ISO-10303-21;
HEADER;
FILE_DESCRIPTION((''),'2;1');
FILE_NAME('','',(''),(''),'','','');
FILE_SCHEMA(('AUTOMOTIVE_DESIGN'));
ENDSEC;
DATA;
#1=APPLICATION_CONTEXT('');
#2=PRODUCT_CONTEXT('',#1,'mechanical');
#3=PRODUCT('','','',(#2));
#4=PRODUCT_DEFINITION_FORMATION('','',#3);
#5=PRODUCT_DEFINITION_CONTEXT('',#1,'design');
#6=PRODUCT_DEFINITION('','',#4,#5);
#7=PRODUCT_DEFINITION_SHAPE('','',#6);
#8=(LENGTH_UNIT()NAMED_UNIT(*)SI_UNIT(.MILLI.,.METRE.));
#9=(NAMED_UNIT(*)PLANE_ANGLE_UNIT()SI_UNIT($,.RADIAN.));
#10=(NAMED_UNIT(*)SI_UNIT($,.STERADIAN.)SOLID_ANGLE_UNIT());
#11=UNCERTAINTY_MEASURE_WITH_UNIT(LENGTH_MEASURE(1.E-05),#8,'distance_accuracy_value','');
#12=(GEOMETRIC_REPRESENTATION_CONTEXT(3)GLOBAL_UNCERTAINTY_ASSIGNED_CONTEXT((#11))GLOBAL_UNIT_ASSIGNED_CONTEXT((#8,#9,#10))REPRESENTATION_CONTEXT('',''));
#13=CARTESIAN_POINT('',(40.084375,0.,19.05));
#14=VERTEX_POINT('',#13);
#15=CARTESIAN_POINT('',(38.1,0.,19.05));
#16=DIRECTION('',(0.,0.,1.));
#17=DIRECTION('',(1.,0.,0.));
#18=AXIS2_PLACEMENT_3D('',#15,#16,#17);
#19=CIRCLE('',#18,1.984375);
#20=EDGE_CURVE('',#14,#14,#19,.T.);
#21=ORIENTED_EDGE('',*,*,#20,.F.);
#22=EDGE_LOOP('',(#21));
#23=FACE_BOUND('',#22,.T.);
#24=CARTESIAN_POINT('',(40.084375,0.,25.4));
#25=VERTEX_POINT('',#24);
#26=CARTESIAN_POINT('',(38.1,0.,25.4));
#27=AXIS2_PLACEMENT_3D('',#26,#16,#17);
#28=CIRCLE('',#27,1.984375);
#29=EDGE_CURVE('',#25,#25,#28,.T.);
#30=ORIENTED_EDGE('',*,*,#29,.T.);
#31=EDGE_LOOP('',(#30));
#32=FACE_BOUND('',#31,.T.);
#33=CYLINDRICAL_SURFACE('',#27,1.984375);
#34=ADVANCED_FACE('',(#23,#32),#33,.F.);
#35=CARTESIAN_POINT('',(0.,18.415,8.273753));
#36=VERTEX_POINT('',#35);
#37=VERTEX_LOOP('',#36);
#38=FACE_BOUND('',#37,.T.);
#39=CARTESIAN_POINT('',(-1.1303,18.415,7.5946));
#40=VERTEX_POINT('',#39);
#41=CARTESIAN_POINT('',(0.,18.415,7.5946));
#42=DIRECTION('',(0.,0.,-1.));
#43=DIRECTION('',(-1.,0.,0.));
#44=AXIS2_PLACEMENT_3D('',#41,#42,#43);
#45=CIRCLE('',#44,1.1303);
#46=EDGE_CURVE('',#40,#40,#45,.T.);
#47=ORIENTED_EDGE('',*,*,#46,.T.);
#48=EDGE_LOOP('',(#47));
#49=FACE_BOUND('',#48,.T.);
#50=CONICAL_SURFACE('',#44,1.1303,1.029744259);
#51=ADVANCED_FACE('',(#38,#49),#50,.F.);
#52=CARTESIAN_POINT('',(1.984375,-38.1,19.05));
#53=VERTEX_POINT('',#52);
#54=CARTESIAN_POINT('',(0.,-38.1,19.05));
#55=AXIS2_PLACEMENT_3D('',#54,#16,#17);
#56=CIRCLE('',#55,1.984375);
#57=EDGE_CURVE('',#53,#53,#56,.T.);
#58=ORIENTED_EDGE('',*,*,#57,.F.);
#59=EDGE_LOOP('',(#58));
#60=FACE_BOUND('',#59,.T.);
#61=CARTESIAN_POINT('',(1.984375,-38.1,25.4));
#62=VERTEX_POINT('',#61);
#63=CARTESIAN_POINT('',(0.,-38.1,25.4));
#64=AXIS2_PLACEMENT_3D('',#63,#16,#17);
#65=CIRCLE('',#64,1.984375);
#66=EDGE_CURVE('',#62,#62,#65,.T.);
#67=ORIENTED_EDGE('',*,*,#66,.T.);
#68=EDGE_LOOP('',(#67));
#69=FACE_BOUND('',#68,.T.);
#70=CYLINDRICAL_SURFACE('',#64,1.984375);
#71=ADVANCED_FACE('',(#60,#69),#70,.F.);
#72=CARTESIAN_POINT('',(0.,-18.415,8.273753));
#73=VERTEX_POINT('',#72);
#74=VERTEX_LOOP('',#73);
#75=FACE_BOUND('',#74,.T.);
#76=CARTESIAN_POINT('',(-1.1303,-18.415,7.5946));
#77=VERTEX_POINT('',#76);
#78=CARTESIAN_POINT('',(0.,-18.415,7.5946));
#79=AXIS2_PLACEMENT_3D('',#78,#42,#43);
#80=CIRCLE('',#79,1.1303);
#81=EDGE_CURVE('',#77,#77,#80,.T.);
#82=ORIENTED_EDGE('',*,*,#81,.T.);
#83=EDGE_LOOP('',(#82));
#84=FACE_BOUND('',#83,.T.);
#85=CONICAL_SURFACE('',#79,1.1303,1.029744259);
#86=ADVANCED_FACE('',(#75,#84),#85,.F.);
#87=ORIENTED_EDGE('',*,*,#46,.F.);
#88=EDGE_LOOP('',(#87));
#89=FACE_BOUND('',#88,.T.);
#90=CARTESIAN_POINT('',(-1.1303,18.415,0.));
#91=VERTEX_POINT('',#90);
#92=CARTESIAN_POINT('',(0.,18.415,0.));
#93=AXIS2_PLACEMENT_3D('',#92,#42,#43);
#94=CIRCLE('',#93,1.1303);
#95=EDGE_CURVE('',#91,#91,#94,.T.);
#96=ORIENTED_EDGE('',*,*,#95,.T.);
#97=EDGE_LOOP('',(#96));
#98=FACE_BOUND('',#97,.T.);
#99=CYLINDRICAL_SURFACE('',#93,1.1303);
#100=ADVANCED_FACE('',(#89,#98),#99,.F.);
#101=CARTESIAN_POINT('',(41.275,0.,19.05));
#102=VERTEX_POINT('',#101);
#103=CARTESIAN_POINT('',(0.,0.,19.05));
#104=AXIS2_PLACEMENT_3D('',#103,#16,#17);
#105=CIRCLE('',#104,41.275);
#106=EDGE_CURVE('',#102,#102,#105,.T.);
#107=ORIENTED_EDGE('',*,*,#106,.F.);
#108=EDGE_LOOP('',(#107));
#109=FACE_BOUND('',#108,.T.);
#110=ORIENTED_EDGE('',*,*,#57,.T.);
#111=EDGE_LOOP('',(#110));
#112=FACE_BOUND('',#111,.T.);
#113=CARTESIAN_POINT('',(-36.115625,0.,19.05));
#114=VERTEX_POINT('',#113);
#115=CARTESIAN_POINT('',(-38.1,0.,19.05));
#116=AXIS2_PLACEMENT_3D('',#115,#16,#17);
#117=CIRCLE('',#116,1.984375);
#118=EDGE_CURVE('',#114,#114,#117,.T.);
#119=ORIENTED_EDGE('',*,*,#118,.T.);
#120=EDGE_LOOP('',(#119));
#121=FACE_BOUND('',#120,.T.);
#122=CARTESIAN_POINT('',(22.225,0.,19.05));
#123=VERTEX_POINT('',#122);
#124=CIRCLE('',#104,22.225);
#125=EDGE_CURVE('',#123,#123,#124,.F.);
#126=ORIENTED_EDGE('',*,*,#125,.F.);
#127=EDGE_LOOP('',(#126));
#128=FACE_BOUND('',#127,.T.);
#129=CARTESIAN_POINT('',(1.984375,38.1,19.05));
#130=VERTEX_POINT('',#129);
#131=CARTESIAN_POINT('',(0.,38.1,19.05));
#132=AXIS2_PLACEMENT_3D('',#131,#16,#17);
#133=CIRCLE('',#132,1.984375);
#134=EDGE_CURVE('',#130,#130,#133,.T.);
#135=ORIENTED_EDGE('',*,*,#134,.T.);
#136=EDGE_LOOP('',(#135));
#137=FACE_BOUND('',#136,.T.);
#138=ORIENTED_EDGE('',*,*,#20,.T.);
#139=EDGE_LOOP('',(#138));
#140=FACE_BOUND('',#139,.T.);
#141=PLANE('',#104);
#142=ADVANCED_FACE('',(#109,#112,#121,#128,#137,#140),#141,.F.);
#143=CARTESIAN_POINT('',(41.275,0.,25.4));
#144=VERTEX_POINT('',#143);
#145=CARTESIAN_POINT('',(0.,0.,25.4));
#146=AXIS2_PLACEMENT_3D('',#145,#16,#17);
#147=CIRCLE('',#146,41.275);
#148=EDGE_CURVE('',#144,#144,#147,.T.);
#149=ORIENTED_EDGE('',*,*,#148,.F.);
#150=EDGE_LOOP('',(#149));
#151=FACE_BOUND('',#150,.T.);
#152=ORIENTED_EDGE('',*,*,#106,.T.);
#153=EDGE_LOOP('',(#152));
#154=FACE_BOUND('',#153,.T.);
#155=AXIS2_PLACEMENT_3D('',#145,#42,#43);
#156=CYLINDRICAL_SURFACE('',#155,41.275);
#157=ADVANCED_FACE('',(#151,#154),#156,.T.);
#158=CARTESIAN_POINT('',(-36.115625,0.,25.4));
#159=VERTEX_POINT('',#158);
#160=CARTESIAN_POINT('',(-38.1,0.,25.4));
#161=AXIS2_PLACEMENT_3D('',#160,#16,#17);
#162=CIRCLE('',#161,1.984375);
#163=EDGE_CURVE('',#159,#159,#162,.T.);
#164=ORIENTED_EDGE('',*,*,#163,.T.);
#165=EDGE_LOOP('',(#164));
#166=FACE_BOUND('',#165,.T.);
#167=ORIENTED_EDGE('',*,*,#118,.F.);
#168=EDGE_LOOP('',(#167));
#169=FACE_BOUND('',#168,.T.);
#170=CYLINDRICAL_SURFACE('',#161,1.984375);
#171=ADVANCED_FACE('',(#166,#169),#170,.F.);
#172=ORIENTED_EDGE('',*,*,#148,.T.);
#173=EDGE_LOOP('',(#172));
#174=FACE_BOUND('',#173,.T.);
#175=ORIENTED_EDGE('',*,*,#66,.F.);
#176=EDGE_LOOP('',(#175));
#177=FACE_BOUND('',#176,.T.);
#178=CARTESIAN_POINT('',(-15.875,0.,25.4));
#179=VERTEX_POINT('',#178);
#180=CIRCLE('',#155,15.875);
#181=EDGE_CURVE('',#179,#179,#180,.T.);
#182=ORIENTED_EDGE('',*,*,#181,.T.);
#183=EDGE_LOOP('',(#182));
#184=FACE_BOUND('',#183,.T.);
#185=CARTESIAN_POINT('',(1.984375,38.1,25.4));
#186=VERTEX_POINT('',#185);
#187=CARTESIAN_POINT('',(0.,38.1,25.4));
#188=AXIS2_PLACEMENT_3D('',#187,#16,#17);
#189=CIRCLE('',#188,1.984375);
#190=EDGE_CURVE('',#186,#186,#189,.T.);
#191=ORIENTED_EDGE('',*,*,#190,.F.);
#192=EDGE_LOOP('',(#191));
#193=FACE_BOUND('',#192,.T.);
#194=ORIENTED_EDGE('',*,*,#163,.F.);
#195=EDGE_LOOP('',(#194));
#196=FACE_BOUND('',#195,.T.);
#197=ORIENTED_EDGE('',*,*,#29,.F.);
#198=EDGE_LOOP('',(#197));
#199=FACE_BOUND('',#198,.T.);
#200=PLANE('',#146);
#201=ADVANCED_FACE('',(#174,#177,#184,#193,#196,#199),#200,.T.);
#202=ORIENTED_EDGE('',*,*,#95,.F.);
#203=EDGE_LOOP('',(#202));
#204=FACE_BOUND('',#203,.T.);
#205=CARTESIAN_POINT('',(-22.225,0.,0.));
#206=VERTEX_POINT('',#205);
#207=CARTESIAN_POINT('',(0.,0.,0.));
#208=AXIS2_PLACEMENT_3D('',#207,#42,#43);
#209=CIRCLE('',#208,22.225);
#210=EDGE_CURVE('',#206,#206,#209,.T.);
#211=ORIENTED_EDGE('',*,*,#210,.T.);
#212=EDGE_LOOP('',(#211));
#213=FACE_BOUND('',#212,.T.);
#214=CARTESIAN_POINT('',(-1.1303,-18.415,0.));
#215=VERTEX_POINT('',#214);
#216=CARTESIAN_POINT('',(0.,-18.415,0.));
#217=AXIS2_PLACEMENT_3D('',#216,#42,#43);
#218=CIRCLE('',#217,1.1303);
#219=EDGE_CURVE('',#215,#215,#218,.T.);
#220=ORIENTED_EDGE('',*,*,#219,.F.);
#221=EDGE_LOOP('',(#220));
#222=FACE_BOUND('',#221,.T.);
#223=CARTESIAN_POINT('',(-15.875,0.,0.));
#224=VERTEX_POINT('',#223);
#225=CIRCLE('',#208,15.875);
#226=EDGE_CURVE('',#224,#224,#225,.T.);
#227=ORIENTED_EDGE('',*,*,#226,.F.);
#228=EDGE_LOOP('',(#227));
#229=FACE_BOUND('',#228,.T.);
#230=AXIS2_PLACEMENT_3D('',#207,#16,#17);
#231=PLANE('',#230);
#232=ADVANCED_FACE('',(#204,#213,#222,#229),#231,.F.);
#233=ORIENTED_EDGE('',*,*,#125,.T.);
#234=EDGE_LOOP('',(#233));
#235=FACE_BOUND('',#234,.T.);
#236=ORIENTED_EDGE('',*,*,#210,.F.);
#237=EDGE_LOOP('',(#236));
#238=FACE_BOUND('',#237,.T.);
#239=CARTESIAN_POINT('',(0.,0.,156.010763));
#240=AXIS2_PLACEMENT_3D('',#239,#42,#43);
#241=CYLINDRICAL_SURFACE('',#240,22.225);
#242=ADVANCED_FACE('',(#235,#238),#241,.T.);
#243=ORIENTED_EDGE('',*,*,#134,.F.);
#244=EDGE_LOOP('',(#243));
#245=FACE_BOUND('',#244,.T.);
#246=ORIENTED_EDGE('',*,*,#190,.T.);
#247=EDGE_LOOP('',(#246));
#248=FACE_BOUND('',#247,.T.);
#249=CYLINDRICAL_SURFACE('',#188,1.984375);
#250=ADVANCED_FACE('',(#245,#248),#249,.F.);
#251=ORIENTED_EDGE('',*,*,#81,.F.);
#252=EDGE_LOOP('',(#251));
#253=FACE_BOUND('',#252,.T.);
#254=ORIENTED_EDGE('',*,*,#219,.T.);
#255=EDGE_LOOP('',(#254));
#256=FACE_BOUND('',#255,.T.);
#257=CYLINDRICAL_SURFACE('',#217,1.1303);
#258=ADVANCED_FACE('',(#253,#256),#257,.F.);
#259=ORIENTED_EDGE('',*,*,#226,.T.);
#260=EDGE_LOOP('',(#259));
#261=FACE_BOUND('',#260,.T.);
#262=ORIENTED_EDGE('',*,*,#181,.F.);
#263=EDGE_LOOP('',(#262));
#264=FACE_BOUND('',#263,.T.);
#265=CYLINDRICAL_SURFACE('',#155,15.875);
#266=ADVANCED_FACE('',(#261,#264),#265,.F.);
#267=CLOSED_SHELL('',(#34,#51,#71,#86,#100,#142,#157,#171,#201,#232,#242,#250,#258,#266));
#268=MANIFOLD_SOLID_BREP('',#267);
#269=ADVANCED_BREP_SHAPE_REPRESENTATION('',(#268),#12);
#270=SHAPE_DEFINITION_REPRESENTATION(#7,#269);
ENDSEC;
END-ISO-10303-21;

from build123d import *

# Parameters (mm, degrees)
SKETCH1_R                       = 41.275
BOSS_EXTRUDE1_DEPTH             = 25.4
SKETCH2_OUTSIDE_W               = 108.444
SKETCH2_OUTSIDE_H               = 108.444
SKETCH2_OUTSIDE_R               = 22.225
CUT_EXTRUDE1_DEPTH              = 19.05
SKETCH3_R                       = 15.875
CUT_EXTRUDE2_DEPTH              = 26.4
F_4_40_TAPPED_HOLE1_D           = 2.2606
F_4_40_TAPPED_HOLE1_DEPTH       = 7.5946
F_4_40_TAPPED_HOLE1_TIP         = 0.679152758
F_5_32_0_15625_DIAMETER_HOLE1_D = 3.96875
MIRROR2_COPY_1_D                = 3.96875
MIRROR2_COPY_2_D                = 3.96875


with BuildPart() as part:
    # Sketch1 → Boss-Extrude1 (new body)
    with BuildSketch(Plane.XY):
        Circle(SKETCH1_R)
    extrude(amount=BOSS_EXTRUDE1_DEPTH)

    # Sketch2 outside → Cut-Extrude1 (cut)
    with BuildSketch(Plane(origin=(0, 0, 0), x_dir=(-1, 0, 0), z_dir=(0, 0, -1))):
        Rectangle(SKETCH2_OUTSIDE_W, SKETCH2_OUTSIDE_H)
        Circle(SKETCH2_OUTSIDE_R, mode=Mode.SUBTRACT)
    extrude(amount=-CUT_EXTRUDE1_DEPTH, mode=Mode.SUBTRACT)

    # Sketch3 → Cut-Extrude2 (cut, through all)
    with BuildSketch(Plane(origin=(0, 0, 0), x_dir=(-1, 0, 0), z_dir=(0, 0, -1))):
        Circle(SKETCH3_R)
    extrude(amount=-CUT_EXTRUDE2_DEPTH, mode=Mode.SUBTRACT)

    # #4-40 Tapped Hole1
    with Locations(Plane(origin=(0, 0, 0), x_dir=(-1, 0, 0), z_dir=(0, 0, -1))):
        with Locations((0, 18.415), (0, -18.415)):
            Hole(F_4_40_TAPPED_HOLE1_D / 2, depth=F_4_40_TAPPED_HOLE1_DEPTH)
            with Locations((0, 0, -(F_4_40_TAPPED_HOLE1_DEPTH + F_4_40_TAPPED_HOLE1_TIP / 2))):  # 118° drill point
                Cone(0, F_4_40_TAPPED_HOLE1_D / 2, F_4_40_TAPPED_HOLE1_TIP, mode=Mode.SUBTRACT)

    # 5/32 (0.15625) Diameter Hole1 (through all)
    with Locations(Plane.XY.offset(25.4)):
        with Locations((0, 38.1), (38.1, 0)):
            f_5_32_0_15625_diameter_hole1 = Hole(F_5_32_0_15625_DIAMETER_HOLE1_D / 2)

    # Mirror1: 5/32 (0.15625) Diameter Hole1 across plane
    add(f_5_32_0_15625_diameter_hole1.mirror(Plane.ZX), mode=Mode.SUBTRACT)

    # Mirror2 copy 1 (through all)
    with Locations(Plane(origin=(0, 0, 25.4), x_dir=(-1, 0, 0), z_dir=(0, 0, 1))):
        with Locations((0, 38.1), (38.1, 0)):
            Hole(MIRROR2_COPY_1_D / 2)

    # Mirror2 copy 2 (through all)
    with Locations(Plane(origin=(0, 0, 25.4), x_dir=(-1, 0, 0), z_dir=(0, 0, 1))):
        with Locations((0, -38.1), (38.1, 0)):
            Hole(MIRROR2_COPY_2_D / 2)


solid = part.part
